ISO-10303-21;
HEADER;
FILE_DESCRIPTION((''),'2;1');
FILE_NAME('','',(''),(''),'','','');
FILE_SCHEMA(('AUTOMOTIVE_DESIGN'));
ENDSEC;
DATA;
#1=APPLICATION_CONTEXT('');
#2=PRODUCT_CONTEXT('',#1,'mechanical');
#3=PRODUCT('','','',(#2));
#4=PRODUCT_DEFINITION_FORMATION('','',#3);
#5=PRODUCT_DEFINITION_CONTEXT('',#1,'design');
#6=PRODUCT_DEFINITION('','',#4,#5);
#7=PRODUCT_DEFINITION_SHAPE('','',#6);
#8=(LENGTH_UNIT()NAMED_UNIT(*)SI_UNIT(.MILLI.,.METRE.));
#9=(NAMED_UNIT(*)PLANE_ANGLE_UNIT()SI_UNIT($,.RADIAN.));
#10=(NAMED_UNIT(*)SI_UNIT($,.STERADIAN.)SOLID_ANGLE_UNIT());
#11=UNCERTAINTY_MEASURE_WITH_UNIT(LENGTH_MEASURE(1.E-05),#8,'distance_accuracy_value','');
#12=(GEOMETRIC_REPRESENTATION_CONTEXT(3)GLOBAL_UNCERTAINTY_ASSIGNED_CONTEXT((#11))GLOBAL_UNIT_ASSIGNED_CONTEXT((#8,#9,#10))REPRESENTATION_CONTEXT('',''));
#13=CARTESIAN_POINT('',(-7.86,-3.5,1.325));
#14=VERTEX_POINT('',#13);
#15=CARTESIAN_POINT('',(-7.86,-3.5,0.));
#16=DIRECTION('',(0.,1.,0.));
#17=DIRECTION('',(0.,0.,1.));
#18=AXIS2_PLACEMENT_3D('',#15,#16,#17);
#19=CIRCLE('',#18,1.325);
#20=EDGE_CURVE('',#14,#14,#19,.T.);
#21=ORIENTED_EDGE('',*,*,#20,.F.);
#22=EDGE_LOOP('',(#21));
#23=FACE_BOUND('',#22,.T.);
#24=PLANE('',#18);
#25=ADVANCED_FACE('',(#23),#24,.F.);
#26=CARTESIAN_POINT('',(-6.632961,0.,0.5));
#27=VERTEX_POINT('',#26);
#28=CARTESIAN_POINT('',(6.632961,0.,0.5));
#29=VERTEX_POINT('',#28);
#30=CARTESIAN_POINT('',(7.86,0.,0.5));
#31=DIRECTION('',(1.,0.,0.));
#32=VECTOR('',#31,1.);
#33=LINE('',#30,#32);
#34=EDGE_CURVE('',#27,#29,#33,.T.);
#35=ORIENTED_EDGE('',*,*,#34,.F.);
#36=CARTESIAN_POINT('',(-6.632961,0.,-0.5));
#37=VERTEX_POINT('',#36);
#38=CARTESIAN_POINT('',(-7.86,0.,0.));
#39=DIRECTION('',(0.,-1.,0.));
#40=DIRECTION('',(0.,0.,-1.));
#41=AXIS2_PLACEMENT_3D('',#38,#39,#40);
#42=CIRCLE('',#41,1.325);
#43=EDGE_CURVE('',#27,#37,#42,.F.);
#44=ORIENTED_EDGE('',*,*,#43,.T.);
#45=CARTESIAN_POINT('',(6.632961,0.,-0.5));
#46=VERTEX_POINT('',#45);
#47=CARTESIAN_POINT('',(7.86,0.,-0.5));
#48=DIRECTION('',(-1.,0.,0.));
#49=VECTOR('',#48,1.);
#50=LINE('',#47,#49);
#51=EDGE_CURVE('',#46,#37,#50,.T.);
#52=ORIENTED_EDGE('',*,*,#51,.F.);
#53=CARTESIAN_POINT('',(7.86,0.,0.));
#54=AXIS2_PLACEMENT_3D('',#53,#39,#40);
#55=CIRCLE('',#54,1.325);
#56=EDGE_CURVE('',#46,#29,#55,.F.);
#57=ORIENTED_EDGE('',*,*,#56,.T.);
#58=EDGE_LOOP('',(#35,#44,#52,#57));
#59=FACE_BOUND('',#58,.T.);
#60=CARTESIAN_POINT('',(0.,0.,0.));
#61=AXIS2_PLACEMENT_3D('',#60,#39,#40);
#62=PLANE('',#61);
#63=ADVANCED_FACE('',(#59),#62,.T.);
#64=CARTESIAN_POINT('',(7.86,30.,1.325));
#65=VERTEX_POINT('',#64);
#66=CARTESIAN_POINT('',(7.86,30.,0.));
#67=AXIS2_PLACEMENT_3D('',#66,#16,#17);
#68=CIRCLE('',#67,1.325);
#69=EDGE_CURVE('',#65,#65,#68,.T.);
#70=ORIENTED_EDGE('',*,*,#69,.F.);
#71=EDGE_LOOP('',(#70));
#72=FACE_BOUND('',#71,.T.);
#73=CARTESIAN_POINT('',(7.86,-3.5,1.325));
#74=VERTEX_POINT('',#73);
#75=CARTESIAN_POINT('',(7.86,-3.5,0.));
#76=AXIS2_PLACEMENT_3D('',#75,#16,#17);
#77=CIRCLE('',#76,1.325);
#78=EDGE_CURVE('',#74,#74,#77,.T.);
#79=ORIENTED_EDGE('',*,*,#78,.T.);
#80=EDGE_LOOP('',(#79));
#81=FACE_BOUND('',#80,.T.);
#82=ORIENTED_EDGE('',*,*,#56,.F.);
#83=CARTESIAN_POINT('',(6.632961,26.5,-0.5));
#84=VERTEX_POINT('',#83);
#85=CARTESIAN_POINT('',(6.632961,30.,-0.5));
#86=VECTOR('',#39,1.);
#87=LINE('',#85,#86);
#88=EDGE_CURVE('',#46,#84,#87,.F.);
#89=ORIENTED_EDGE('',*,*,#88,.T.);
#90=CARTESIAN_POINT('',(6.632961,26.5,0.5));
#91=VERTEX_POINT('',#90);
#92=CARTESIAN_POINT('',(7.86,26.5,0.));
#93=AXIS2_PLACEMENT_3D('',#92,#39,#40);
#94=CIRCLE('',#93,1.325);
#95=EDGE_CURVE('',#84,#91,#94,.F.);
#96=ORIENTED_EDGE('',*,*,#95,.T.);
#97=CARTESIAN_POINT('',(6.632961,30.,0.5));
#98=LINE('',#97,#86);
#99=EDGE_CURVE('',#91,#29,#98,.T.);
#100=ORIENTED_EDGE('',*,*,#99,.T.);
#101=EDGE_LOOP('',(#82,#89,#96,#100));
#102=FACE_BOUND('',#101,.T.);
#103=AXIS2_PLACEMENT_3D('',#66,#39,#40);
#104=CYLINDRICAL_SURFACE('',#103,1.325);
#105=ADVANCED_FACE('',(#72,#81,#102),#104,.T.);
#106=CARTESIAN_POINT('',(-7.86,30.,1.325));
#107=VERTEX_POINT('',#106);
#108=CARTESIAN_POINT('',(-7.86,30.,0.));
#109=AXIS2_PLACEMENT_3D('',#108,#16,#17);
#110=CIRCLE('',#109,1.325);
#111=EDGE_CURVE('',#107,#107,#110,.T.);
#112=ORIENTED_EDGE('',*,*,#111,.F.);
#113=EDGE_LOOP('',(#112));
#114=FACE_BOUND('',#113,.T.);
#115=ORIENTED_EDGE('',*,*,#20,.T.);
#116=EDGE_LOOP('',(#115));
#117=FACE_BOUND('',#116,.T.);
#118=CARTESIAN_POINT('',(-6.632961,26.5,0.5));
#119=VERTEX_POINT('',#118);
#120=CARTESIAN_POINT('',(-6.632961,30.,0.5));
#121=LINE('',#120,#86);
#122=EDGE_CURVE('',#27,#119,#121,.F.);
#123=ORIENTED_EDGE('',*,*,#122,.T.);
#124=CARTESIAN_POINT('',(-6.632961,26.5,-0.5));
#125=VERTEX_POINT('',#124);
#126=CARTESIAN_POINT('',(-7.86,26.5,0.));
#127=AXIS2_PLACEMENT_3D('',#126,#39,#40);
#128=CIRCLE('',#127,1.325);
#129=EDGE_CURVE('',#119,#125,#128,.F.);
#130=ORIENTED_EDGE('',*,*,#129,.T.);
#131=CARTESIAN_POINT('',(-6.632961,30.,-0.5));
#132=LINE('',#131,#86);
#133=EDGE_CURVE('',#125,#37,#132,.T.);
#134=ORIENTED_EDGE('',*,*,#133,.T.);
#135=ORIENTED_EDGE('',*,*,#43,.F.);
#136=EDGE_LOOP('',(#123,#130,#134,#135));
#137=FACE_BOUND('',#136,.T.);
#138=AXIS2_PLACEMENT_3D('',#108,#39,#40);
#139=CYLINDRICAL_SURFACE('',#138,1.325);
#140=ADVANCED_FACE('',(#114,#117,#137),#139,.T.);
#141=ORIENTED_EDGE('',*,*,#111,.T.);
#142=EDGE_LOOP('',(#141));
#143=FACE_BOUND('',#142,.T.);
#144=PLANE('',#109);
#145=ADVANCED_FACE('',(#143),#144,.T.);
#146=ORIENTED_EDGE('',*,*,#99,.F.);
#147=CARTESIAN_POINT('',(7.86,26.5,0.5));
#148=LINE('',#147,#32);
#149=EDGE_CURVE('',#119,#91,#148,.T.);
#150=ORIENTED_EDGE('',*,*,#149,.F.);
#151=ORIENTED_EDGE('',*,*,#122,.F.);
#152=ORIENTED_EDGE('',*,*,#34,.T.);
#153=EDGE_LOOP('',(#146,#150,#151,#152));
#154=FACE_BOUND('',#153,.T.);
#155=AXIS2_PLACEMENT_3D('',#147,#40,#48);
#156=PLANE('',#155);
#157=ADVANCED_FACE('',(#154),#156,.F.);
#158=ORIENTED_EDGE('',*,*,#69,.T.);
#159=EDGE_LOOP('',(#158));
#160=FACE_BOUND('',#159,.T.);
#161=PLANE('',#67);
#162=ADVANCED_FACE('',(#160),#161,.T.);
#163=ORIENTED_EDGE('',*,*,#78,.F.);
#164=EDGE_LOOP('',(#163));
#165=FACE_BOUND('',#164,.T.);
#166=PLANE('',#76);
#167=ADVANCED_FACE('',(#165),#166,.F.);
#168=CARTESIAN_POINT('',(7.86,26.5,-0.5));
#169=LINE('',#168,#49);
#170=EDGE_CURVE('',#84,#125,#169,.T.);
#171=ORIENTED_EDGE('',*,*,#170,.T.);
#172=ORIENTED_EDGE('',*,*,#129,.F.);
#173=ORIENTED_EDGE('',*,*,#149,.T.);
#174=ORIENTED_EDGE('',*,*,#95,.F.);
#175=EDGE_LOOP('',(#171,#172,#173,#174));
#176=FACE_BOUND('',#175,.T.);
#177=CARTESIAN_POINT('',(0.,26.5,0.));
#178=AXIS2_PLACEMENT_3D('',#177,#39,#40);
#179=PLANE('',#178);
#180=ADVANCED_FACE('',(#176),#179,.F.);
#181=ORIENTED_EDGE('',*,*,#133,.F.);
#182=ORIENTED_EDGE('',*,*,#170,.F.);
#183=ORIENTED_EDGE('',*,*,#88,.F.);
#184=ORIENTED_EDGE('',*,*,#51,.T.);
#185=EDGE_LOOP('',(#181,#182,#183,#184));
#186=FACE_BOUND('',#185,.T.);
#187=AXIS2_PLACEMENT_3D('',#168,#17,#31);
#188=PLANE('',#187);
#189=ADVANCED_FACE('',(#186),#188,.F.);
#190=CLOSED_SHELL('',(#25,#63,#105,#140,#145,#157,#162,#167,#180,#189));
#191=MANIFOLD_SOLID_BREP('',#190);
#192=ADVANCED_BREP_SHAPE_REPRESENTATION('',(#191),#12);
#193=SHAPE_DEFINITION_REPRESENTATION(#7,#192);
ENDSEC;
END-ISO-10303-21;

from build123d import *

# Parameters (mm, degrees)
SKETCH1_W           = 15.72
SKETCH1_H           = 1
BOSS_EXTRUDE1_DEPTH = 26.5
SKETCH2_R           = 1.325
BOSS_EXTRUDE2_DEPTH = 16.75


with BuildPart() as part:
    # Sketch1 → Boss-Extrude1 (new body)
    with BuildSketch(Plane(origin=(0, 0, 0), x_dir=(1, 0, 0), z_dir=(0, 1, 0))):
        Rectangle(SKETCH1_W, SKETCH1_H)
    extrude(amount=BOSS_EXTRUDE1_DEPTH)

    # Sketch2 → Boss-Extrude2 (add, symmetric)
    with BuildSketch(Plane(origin=(0, 13.25, 0), x_dir=(1, 0, 0), z_dir=(0, 1, 0))):
        with Locations(Location((-7.86, 0, 0), (0, 0, 270))):
            Circle(SKETCH2_R)
        with Locations(Location((7.86, 0, 0), (0, 0, 270))):
            Circle(SKETCH2_R)
    extrude(amount=BOSS_EXTRUDE2_DEPTH, both=True)


solid = part.part
